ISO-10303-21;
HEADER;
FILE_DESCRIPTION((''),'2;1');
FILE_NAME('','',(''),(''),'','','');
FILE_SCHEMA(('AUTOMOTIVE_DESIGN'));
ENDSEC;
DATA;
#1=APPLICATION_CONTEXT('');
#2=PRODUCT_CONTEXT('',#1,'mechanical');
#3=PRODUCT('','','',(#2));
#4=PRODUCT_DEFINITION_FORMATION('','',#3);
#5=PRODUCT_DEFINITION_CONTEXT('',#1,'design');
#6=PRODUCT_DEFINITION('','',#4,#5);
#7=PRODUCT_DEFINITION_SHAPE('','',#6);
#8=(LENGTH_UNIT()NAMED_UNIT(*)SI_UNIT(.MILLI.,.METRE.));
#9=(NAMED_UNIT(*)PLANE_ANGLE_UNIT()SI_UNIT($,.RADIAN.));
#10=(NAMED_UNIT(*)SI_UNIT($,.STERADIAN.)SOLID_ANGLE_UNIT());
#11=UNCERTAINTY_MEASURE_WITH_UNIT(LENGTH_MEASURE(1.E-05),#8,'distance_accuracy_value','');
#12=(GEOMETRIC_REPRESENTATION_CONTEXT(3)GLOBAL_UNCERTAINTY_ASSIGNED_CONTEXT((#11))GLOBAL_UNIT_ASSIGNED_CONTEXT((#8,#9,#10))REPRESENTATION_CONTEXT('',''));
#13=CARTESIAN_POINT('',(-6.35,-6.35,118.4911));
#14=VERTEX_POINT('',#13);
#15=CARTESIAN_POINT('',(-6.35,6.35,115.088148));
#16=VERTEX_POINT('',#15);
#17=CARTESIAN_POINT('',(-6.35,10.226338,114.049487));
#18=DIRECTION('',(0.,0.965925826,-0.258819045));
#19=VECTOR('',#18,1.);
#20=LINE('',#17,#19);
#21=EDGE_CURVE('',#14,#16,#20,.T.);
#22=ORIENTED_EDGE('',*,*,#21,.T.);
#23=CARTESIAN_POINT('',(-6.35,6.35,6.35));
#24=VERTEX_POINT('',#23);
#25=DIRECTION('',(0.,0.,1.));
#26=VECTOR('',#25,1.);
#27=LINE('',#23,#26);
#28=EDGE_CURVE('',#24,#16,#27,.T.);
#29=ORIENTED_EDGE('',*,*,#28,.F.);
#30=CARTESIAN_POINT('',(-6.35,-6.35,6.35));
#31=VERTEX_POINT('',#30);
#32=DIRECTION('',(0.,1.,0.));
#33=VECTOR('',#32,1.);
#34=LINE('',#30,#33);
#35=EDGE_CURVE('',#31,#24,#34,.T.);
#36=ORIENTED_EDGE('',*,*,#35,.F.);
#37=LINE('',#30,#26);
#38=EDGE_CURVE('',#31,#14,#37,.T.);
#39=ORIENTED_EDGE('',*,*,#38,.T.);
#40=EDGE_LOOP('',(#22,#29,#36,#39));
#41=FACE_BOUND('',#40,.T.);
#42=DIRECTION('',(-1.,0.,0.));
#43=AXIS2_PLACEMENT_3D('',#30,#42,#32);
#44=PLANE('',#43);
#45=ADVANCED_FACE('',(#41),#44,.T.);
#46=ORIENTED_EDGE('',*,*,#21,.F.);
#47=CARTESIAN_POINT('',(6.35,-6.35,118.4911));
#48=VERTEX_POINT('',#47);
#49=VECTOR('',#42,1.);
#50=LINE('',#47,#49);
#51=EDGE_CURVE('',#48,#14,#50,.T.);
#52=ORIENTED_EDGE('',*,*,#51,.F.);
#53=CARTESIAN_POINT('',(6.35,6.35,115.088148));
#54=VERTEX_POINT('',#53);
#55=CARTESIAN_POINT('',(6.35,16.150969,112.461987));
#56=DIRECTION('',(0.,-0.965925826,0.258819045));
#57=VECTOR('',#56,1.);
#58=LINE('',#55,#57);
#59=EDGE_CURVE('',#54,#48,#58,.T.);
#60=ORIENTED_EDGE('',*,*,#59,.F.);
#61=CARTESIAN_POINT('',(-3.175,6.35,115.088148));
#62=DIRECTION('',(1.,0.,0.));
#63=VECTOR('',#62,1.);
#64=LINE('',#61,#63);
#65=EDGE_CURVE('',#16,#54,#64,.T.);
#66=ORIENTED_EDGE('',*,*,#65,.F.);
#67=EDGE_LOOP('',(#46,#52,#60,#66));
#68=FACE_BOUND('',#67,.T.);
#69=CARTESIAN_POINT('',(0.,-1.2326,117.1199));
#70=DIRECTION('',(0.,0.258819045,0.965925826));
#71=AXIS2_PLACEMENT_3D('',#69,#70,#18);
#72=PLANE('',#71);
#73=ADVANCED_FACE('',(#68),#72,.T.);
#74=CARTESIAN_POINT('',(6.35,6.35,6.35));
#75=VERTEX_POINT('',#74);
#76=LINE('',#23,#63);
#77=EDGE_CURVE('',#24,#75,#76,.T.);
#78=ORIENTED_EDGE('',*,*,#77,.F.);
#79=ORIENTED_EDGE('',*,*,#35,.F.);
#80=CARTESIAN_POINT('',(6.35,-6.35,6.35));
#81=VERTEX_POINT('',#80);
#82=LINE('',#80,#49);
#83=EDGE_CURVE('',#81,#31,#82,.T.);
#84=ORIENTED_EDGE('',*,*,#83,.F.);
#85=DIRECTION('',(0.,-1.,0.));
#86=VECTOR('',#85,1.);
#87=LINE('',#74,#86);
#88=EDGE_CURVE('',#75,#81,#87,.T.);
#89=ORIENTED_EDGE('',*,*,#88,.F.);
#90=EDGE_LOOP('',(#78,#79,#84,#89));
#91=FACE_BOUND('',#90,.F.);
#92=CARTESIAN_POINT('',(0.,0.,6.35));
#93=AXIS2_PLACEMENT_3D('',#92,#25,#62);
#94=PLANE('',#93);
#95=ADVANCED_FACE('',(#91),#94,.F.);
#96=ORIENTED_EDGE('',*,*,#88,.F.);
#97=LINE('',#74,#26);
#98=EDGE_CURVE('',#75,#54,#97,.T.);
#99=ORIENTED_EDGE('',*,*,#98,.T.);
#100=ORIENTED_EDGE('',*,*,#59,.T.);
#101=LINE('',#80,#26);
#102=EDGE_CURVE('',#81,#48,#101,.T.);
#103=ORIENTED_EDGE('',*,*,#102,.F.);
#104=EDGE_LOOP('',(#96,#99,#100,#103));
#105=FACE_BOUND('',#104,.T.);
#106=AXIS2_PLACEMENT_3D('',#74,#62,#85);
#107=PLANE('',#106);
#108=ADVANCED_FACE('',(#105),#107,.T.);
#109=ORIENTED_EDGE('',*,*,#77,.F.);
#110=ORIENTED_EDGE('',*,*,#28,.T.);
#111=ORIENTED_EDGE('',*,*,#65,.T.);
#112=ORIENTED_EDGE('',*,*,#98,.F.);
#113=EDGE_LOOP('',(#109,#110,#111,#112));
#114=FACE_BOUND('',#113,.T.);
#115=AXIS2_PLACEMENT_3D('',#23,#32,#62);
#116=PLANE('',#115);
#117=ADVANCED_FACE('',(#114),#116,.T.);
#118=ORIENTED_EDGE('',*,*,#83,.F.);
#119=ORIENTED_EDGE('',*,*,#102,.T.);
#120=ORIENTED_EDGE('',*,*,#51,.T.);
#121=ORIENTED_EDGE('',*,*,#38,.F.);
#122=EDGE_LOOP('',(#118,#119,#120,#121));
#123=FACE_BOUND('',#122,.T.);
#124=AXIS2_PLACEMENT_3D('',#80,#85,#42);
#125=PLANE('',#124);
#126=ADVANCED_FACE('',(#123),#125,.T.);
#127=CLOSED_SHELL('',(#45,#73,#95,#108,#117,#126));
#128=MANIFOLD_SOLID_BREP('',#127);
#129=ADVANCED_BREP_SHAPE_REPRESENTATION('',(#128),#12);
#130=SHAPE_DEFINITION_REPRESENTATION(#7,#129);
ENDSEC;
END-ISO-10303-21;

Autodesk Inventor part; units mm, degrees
ref_plane "Start plane" through (0, 0, 6.35) normal (0, 0, 1) x (1, 0, 0)
ref_plane "End plane" through (0, 0, 118.4911) normal (0, 0, 1) x (1, 0, 0)
sketch "Sketch" plane through (0, 0, 0) normal (0, 0, 1) x (1, 0, 0)
  line L0 (6.35, -6.35) -> (-6.35, -6.35)
  line L1 (-6.35, -6.35) -> (-6.35, 6.35)
  line L2 (-6.35, 6.35) -> (6.35, 6.35)
  line L3 (6.35, 6.35) -> (6.35, -6.35)
  line L4 (-6, 0) -> (8, 0) construction
  line L5 (0, -30) -> (0, 40) construction
  line L6 (0, 54) -> (0, -44) construction
  line L7 (-9.62, 0) -> (13.27, 0) construction
  dimension "d0" = 12.7
  dimension "d1" = 12.7
  dimension "d4" = 6.35
  dimension "d5" = 6.35
extrude "Body" add sketch "Sketch" along normal up to surface (112.1411 mm away) from surface at 6.35
sketch "Sketch3" plane through (0, 0, 0) normal (0, 0, 1) x (1, 0, 0)
  line L0 (0, 0) -> (10, 0)
ref_plane "Work Plane3" through (0, 0, 0) normal (0, -1, 0) x (1, 0, 0)
sketch "Sketch4" plane through (0, 0, 0) normal (0, -1, 0) x (1, 0, 0)
  line L0 (-2, 6.35) -> (12, 6.35)
  line L1 (-2, 118.4911) -> (12, 118.4911)
  dimension "d9" = 112.1411
ref_plane "Work Plane5" through (0, 596.3529, 6.35) normal (0, 0, -1) x (-1, 0, 0)
split "Split2" plane through (0, 596.3529, 6.35) removes the side toward (0, 0, -1)
ref_plane "Work Plane6" through (0, -1.2326, 117.1199) normal (0, 0.2588, 0.9659) x (1, 0, 0)
split "Split3" plane through (0, -1.2326, 117.1199) removes the side toward (0, 0.2588, 0.9659)
equation "\"d0\" = G_W"
equation "\"d1\" = G_H"
equation "\"d4\" = 0.5 * d1"
equation "\"d5\" = 0.5 * d0"
equation "\"d2\" = G_L"
equation "\"G_W\" = 12.7"
equation "\"G_H\" = 12.7"
equation "\"G_L\" = d9"
equation "\"G_OFFSET_START\" = -6.35"
equation "\"G_OFFSET_END\" = -3.22903"
equation "\"d6\" = -G_OFFSET_START"
equation "\"d7\" = G_OFFSET_END + B_L"
equation "\"B_L\" = 121.72015"
properties part number "AISC - 1/2x1/2 - 4.415" material "Steel, Alloy"
